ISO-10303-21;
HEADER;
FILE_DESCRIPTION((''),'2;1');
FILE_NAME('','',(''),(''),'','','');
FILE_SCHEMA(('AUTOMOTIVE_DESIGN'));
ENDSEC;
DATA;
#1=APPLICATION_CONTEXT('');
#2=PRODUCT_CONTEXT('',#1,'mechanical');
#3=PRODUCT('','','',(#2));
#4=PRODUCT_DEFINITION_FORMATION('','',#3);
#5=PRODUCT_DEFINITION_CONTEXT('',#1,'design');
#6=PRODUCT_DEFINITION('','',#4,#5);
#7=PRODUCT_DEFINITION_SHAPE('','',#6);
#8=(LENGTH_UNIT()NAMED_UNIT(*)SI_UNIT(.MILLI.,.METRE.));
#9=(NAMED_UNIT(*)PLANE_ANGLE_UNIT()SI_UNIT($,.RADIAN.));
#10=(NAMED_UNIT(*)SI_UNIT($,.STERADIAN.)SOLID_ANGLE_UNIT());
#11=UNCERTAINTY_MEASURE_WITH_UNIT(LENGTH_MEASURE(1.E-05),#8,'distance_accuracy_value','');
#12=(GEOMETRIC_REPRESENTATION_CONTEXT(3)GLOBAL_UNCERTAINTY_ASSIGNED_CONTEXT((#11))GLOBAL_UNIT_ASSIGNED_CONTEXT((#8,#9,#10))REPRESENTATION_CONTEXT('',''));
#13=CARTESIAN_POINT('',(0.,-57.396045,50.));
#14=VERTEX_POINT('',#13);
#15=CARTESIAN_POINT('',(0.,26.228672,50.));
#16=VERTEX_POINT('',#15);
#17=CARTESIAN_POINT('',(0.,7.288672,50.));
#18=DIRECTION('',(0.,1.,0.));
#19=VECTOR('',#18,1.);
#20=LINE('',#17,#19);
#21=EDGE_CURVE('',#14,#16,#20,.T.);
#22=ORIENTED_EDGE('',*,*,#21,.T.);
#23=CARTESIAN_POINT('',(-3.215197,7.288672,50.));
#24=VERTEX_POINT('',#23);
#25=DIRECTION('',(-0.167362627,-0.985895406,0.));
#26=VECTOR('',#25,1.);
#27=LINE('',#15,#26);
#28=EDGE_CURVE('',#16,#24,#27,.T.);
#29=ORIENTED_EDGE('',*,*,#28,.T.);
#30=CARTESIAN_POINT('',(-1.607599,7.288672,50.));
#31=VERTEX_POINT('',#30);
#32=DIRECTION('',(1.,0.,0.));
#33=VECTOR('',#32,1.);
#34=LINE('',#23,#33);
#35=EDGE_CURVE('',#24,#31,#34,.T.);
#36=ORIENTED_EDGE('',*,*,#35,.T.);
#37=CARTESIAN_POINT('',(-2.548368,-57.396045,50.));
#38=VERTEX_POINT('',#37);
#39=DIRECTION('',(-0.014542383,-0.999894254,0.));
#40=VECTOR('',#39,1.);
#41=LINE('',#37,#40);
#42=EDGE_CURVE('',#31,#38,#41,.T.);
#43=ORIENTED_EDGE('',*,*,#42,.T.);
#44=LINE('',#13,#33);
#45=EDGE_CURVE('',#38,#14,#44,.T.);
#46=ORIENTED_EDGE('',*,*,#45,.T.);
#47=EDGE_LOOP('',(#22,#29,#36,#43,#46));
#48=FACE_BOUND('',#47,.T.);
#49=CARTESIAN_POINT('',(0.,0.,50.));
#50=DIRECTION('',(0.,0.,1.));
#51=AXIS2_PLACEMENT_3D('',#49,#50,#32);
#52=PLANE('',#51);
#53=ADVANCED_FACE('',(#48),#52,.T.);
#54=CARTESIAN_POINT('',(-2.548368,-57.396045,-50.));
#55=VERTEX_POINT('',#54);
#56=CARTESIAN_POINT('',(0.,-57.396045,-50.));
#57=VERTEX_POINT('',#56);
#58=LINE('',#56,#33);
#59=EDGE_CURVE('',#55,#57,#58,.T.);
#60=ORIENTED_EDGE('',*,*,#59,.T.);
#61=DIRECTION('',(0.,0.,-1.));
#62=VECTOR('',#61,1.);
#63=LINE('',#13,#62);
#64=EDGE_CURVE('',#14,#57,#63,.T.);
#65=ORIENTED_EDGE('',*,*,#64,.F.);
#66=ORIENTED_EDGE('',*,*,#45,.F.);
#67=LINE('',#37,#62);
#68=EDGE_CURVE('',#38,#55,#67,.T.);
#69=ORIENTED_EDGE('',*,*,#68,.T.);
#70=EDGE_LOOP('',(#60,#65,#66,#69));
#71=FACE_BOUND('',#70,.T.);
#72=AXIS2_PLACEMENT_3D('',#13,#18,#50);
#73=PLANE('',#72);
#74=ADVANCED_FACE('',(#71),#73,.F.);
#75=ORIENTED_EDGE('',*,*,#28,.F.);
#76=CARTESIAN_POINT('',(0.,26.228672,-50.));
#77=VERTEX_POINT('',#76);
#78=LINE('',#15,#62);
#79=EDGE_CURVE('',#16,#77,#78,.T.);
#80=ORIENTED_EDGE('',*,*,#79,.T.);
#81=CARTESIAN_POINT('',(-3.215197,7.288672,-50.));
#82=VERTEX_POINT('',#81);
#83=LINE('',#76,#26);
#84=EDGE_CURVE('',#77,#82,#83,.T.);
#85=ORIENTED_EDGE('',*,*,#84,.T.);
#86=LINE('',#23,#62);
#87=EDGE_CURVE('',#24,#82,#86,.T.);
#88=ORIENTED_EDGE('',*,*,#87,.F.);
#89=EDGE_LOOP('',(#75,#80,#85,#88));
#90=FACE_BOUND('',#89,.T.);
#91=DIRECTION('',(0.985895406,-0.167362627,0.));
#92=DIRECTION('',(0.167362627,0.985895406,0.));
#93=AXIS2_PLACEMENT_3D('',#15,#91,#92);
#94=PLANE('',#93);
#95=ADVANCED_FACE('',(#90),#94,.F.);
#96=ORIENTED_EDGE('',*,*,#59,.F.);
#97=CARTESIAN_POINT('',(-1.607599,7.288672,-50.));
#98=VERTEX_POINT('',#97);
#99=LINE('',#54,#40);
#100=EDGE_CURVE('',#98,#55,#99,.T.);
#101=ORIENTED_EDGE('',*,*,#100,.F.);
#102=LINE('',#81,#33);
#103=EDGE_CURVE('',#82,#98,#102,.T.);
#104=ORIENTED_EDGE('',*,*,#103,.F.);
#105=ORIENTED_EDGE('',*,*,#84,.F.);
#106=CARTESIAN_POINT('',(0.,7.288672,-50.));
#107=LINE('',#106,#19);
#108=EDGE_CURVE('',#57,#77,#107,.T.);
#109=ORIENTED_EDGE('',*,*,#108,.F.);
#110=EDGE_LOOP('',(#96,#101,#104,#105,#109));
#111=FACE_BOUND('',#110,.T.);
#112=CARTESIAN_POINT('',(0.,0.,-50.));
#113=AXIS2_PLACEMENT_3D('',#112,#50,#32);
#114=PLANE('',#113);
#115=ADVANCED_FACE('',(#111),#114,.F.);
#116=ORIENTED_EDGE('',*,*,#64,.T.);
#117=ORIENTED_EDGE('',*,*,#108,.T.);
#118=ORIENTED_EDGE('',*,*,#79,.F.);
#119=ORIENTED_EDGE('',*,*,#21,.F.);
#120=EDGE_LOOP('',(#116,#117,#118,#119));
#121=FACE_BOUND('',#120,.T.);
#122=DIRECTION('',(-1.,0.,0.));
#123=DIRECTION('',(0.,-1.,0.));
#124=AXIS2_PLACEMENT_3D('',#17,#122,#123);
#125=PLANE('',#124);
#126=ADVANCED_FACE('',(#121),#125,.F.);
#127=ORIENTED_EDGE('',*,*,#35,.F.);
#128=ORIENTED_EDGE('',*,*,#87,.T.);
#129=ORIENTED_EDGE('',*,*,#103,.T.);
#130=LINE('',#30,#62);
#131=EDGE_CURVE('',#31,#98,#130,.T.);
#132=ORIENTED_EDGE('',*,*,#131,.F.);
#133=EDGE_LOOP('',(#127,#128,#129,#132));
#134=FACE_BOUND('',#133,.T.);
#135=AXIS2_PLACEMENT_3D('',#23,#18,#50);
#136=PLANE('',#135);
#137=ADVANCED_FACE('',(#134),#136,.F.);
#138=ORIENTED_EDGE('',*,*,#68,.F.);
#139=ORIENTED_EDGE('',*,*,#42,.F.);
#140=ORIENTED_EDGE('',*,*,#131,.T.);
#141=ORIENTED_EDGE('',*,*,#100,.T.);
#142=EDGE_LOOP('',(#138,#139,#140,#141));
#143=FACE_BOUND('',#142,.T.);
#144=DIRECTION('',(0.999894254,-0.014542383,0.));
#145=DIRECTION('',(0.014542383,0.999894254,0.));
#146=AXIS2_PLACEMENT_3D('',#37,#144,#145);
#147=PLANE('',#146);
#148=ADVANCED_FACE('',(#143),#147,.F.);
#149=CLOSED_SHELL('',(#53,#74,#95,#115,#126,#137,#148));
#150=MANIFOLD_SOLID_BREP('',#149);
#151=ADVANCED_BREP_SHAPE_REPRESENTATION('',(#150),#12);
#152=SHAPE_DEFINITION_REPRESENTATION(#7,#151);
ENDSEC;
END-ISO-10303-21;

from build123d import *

# Parameters (mm, degrees)
BOSS_EXTRUDE1_DEPTH = 50


with BuildPart() as part:
    # Sketch1 → Boss-Extrude1 (new body, symmetric)
    with BuildSketch(Plane.XY):
        Polygon((0, 7.28867164), (0, 26.22867164), (-3.215197201, 7.28867164), (-1.6075986, 7.28867164), (-2.548367986, -57.396044964), (0, -57.396044964), align=None)
    extrude(amount=BOSS_EXTRUDE1_DEPTH, both=True)


solid = part.part
